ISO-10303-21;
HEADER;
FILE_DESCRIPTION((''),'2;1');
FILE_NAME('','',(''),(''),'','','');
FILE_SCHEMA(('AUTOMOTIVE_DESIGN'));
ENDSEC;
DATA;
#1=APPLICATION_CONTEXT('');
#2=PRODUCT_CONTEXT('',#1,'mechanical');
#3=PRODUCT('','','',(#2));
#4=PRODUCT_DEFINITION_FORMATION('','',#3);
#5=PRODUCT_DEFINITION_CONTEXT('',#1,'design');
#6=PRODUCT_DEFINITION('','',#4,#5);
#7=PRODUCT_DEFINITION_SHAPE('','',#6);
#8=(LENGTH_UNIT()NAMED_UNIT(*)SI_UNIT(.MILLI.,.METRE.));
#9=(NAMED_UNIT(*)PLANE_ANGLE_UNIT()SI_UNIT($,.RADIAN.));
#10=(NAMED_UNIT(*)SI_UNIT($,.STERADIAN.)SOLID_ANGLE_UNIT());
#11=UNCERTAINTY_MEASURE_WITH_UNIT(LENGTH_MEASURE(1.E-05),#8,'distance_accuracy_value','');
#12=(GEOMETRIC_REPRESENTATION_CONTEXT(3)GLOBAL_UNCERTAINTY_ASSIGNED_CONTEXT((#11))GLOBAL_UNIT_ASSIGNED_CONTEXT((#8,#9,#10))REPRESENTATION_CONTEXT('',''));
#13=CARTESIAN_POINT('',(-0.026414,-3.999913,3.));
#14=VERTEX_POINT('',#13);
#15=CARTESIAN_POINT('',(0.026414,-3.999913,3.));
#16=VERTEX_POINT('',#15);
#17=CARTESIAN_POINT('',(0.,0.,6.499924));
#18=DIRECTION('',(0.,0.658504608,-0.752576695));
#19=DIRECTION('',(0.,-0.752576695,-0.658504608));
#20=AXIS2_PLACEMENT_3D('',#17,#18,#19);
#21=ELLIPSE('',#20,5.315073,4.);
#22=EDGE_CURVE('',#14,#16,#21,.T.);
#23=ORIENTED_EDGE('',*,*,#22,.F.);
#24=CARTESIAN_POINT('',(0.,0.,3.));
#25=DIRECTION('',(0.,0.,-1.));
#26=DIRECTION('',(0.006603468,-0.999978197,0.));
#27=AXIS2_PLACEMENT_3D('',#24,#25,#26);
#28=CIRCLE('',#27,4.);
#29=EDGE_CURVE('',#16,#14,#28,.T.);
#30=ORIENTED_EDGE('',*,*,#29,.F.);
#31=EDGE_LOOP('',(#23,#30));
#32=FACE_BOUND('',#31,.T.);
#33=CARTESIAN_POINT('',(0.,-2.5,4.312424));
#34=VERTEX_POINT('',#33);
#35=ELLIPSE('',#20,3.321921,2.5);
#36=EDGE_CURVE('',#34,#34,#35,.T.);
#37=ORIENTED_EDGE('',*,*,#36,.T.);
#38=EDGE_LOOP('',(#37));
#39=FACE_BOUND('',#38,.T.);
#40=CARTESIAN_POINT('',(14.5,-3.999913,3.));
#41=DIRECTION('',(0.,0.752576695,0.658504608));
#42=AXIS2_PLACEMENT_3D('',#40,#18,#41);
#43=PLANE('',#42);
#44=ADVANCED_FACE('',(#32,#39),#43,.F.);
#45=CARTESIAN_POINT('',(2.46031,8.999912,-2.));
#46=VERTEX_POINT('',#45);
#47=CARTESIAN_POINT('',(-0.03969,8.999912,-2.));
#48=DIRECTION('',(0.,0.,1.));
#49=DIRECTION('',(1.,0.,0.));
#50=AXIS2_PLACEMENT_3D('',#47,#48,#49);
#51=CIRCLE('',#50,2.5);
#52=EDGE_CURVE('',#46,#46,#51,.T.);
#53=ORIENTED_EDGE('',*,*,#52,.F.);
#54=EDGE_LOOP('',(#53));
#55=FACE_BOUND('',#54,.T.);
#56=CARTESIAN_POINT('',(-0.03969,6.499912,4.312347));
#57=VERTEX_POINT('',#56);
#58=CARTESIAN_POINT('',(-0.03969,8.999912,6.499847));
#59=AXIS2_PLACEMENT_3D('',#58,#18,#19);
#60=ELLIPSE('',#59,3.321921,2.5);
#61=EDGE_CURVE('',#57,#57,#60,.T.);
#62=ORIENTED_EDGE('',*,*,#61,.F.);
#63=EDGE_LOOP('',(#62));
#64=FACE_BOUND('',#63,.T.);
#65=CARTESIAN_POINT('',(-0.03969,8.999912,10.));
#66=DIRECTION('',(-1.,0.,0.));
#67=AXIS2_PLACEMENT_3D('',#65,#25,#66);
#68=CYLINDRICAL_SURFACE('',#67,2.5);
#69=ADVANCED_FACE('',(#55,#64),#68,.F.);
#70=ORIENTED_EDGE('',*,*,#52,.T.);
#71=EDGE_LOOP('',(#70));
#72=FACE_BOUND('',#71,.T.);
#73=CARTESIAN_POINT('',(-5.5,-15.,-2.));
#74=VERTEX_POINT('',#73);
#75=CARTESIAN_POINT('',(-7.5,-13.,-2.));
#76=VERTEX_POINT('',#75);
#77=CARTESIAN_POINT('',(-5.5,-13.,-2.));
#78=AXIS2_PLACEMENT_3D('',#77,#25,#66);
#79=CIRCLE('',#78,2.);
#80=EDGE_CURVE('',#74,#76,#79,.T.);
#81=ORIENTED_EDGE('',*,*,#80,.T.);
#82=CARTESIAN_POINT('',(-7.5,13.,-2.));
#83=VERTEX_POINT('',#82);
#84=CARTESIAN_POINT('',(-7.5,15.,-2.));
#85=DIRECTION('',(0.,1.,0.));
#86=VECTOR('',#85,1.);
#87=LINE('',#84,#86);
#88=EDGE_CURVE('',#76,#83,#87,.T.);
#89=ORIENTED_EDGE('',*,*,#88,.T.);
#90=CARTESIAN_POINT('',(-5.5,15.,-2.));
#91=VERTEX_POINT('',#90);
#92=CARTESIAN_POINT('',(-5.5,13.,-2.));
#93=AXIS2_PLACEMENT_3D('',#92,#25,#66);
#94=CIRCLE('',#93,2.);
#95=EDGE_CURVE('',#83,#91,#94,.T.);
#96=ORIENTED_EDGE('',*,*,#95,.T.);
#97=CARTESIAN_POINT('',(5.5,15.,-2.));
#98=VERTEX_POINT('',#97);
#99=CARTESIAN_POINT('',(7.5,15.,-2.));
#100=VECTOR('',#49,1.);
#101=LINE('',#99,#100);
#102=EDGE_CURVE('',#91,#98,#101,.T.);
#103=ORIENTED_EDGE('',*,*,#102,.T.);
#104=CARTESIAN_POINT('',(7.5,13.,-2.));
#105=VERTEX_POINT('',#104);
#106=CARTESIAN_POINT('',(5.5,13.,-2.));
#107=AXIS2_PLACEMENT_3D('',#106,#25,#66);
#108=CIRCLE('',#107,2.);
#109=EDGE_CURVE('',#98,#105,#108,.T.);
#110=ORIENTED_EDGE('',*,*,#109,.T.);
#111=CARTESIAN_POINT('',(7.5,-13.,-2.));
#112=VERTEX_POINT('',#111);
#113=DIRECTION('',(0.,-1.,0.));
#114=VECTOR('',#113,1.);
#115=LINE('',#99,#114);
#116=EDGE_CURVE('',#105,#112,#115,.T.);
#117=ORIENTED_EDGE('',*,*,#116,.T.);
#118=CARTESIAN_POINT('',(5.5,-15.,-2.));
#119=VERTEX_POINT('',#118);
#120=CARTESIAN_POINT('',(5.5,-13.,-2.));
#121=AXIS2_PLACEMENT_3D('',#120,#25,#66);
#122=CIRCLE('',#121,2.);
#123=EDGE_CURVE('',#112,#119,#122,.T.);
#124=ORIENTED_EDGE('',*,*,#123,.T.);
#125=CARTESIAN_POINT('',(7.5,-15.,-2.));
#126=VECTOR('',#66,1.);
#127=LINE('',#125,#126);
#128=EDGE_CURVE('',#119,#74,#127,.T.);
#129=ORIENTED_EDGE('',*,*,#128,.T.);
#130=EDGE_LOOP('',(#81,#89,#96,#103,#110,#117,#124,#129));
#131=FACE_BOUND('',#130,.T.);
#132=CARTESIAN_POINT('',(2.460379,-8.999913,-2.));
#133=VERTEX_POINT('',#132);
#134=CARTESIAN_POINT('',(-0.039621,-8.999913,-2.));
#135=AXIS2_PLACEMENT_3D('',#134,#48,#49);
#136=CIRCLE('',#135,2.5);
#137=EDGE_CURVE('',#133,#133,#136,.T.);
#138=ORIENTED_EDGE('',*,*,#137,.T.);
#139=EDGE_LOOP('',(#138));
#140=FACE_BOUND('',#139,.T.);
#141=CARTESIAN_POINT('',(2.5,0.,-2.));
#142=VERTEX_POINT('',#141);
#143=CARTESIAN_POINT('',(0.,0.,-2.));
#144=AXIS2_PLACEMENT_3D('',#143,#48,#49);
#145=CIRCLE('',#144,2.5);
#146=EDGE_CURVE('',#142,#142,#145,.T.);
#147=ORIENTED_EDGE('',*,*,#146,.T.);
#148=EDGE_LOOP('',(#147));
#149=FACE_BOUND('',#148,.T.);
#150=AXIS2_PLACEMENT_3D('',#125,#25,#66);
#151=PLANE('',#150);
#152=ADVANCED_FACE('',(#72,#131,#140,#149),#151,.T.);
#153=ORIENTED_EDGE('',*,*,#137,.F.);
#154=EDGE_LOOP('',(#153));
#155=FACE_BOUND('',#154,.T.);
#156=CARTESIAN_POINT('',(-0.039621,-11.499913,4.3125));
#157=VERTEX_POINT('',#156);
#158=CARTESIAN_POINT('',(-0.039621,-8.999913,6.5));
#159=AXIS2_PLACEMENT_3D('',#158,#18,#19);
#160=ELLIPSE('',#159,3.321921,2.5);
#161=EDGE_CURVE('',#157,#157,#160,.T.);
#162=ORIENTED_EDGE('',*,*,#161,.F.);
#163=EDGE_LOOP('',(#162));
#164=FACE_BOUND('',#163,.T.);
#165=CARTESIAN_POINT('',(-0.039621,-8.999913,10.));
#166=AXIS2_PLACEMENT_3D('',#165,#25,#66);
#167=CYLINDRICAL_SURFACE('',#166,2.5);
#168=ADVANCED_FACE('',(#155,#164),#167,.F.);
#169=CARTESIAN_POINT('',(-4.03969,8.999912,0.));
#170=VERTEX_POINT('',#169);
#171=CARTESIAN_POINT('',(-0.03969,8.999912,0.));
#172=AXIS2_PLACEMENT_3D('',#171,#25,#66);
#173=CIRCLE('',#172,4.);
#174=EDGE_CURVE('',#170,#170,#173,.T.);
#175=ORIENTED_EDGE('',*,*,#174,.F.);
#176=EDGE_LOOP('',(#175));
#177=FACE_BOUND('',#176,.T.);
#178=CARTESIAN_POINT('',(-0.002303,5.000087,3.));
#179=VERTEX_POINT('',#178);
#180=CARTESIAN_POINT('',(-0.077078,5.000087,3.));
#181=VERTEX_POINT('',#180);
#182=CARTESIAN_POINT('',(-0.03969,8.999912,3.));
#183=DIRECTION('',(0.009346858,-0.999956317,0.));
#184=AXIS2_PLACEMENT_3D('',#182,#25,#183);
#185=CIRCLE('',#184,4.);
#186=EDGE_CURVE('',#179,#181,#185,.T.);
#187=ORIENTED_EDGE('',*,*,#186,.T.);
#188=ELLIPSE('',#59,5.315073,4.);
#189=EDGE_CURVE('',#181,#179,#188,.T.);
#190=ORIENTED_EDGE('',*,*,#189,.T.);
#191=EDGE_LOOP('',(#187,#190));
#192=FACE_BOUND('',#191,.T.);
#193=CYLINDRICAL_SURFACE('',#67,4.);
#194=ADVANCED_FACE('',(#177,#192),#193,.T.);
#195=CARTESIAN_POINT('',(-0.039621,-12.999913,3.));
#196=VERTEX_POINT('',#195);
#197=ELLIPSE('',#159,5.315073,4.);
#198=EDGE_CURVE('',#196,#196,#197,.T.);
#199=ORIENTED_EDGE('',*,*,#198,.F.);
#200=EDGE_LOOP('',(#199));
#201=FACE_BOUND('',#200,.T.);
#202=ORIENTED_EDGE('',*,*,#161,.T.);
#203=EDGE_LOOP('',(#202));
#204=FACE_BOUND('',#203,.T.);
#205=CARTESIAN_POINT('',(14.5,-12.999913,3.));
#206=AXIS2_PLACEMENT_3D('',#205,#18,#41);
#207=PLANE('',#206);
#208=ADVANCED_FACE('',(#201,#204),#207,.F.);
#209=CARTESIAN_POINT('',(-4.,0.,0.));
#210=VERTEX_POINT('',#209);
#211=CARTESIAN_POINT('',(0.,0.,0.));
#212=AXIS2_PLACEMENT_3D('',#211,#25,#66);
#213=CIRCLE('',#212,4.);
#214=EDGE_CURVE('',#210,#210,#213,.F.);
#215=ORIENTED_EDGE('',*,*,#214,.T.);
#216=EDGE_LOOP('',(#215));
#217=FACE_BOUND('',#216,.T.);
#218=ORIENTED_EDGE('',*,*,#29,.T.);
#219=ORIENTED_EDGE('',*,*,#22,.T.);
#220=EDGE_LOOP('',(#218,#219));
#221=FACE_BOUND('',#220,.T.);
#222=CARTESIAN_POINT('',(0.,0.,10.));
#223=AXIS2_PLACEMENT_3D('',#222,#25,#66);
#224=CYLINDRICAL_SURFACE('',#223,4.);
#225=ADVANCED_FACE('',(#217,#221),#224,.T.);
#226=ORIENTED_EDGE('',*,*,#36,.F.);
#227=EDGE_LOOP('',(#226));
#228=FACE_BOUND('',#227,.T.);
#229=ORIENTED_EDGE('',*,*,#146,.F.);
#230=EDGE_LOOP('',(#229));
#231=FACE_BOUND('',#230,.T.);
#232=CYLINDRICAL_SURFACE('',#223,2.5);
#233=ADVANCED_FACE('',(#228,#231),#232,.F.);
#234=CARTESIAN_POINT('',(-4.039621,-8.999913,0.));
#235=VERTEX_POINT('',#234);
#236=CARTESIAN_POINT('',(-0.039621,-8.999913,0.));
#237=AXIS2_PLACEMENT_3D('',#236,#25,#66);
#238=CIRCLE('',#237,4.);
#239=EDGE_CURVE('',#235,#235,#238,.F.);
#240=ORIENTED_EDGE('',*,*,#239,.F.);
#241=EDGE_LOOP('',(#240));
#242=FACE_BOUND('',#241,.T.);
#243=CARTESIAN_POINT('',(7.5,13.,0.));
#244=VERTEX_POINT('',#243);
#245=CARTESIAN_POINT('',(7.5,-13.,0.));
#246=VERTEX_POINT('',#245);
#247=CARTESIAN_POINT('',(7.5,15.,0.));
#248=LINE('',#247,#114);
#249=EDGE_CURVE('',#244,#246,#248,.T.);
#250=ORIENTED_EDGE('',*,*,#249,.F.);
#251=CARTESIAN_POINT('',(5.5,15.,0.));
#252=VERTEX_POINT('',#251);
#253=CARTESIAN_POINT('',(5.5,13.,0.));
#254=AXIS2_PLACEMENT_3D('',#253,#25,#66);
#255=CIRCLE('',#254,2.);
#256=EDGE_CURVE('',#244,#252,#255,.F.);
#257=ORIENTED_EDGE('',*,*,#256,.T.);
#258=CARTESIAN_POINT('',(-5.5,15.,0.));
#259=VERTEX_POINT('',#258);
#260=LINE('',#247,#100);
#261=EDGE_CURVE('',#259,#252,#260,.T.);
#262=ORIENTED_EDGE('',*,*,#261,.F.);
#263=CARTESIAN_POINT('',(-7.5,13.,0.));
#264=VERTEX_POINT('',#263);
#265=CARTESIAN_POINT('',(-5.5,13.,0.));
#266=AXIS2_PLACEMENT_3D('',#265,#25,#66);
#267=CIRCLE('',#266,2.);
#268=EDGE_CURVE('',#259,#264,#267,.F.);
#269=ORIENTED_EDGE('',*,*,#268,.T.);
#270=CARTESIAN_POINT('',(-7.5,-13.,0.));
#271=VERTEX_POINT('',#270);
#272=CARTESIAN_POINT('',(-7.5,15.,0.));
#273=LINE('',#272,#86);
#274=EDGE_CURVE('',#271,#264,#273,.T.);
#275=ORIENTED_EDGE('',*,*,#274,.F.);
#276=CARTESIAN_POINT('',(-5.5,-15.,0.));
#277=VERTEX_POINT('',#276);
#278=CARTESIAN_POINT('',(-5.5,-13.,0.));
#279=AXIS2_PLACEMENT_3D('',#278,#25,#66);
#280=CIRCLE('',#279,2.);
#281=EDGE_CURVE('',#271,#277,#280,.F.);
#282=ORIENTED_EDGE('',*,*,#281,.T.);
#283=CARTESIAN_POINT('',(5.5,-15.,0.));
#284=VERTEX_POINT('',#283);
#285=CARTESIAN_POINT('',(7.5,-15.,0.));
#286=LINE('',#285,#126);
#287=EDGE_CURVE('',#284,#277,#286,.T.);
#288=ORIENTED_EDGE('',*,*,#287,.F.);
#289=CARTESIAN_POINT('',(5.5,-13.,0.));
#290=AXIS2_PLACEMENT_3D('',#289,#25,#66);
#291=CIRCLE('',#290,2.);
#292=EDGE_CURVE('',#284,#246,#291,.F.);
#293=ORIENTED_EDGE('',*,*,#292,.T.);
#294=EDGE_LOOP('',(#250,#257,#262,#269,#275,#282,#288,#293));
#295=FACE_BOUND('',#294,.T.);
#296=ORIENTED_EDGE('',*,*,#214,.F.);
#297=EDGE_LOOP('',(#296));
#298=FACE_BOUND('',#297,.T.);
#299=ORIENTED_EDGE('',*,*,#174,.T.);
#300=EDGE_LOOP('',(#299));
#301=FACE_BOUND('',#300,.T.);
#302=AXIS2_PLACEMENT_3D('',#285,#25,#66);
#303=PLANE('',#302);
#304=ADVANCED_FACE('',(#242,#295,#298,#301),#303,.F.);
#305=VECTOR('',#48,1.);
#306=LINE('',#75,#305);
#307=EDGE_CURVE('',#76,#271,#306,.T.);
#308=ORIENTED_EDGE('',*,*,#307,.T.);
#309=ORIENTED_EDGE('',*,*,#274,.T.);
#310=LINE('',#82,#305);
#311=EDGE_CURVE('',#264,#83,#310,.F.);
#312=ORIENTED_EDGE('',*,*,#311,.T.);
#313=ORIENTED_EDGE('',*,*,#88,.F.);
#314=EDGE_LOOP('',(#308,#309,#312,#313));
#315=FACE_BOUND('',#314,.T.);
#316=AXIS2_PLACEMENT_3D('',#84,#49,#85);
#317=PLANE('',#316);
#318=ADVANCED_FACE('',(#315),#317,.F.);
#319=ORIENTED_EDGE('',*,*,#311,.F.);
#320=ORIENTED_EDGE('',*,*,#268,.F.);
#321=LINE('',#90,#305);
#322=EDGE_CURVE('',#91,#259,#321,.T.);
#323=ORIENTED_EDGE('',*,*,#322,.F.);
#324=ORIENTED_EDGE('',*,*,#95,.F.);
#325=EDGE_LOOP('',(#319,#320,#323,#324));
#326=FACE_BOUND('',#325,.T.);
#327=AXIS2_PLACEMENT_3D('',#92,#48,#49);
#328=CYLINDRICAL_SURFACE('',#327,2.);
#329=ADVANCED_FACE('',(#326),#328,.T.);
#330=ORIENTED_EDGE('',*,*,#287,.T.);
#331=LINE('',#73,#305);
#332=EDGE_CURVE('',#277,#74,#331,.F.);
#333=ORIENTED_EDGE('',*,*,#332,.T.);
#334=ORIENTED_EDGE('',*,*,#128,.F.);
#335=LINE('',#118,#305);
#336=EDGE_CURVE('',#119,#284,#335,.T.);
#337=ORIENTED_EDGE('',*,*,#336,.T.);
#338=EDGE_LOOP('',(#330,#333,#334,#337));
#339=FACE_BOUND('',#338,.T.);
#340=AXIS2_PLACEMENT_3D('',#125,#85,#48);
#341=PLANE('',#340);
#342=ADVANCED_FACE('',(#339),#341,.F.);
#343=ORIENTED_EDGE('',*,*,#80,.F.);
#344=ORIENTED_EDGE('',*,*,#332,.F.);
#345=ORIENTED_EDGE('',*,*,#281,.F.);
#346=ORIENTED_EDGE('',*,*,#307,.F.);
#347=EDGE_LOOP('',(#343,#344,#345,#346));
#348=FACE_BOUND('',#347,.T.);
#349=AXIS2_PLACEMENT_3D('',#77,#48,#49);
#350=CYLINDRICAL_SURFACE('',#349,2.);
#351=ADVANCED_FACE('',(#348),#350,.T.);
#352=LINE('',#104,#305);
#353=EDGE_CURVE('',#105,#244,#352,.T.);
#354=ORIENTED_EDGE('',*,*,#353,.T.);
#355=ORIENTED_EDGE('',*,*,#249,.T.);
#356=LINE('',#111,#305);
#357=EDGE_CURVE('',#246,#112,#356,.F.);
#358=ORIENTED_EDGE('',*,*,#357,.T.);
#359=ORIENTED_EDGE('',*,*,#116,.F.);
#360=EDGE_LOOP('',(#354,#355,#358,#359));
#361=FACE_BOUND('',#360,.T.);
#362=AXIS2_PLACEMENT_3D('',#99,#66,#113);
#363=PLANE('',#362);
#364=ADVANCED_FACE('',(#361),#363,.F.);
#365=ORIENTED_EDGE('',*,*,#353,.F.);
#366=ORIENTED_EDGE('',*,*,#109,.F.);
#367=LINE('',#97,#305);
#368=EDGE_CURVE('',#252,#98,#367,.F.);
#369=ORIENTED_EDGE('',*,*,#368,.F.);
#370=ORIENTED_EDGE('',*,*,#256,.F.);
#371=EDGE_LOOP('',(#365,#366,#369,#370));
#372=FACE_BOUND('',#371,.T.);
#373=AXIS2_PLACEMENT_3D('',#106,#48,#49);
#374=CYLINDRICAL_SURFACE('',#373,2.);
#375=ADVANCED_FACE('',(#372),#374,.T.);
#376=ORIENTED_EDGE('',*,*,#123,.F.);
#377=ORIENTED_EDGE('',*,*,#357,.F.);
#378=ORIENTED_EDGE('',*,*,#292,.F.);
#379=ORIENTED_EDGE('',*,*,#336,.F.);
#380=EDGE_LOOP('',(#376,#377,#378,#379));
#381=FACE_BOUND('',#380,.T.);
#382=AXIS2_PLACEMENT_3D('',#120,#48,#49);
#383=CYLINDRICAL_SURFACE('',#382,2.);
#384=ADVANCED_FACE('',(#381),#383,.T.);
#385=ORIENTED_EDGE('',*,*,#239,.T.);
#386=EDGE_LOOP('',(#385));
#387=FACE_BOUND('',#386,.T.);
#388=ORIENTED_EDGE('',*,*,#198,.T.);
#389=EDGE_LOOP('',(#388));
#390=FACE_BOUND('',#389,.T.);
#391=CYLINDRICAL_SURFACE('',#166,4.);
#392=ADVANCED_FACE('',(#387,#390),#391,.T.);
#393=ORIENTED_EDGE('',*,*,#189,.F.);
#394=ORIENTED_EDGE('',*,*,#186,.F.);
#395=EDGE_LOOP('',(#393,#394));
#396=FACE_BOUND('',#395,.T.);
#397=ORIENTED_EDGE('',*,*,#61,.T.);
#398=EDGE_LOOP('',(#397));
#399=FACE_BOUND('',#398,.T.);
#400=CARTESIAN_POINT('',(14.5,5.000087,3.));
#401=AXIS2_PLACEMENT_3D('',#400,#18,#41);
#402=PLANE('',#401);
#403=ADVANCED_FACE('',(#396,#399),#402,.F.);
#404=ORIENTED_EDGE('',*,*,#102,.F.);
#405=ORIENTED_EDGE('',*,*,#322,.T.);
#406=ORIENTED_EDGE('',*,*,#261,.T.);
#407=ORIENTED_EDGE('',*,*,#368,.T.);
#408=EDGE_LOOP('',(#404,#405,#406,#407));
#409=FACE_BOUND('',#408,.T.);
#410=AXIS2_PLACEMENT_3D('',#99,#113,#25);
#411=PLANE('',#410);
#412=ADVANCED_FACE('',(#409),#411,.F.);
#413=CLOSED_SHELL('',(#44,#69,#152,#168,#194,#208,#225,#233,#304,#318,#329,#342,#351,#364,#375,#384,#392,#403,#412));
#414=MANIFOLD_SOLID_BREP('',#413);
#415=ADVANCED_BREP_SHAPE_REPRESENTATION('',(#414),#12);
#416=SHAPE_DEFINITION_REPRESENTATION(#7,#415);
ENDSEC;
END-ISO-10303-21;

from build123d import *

# Parameters (mm, degrees)
SKETCH1_R             = 4
SKETCH1_R_2           = 2.5
BOSS_EXTRUDE1_DEPTH   = 10
BOSS_EXTRUDE1_2_DEPTH = 10
BOSS_EXTRUDE1_3_DEPTH = 10
SKETCH2_W             = 15
SKETCH2_H             = 30
BOSS_EXTRUDE2_DEPTH   = 2
CUT_EXTRUDE1_START    = -2
SKETCH3_R             = 2.5
CUT_EXTRUDE1_DEPTH    = 2
CUT_EXTRUDE3_DEPTH    = 22
FILLET2_R             = 2


with BuildPart() as part:
    # Sketch1 → Boss-Extrude1 (new body)
    with BuildSketch(Plane.XY):
        with Locations((-0.039690435, 8.999912481)):
            Circle(SKETCH1_R)
        with Locations((-0.039690435, 8.999912481)):
            Circle(SKETCH1_R_2, mode=Mode.SUBTRACT)
    extrude(amount=BOSS_EXTRUDE1_DEPTH)



with BuildPart() as body_2:
    # Sketch1 → Boss-Extrude1 2 (new body)
    with BuildSketch(Plane.XY):
        Circle(SKETCH1_R)
        Circle(SKETCH1_R_2, mode=Mode.SUBTRACT)
    extrude(amount=BOSS_EXTRUDE1_2_DEPTH)


with BuildPart() as body_3:
    # Sketch1 → Boss-Extrude1 3 (new body)
    with BuildSketch(Plane.XY):
        with Locations((-0.039620931, -8.999912787)):
            Circle(SKETCH1_R)
        with Locations((-0.039620931, -8.999912787)):
            Circle(SKETCH1_R_2, mode=Mode.SUBTRACT)
    extrude(amount=BOSS_EXTRUDE1_3_DEPTH)


with BuildPart() as part_1:
    add(part.part)

    add(body_2.part)  # Boss-Extrude2 merges body 2

    add(body_3.part)  # Boss-Extrude2 merges body 3
    # Sketch2 → Boss-Extrude2 (add)
    with BuildSketch(Plane(origin=(0, 0, 0), x_dir=(-1, 0, 0), z_dir=(0, 0, -1))):
        Rectangle(SKETCH2_W, SKETCH2_H)
    extrude(amount=BOSS_EXTRUDE2_DEPTH)

    # Sketch3 → Cut-Extrude1 (cut)
    with BuildSketch(Plane.XY.offset(CUT_EXTRUDE1_START)):
        with Locations((-0.039690435, 8.999912481)):
            Circle(SKETCH3_R)
        Circle(SKETCH3_R)
        with Locations((-0.039620931, -8.999912787)):
            Circle(SKETCH3_R)
    extrude(amount=CUT_EXTRUDE1_DEPTH, mode=Mode.SUBTRACT)

    # Sketch4 → Cut-Extrude3 (cut)
    with BuildSketch(Plane.ZY.offset(7.5)):
        Polygon((10, 4.000087213), (10, -3.999912787), (10, -4.510778231), (3, -4.510778231), (3, -3.999912787), align=None)
        Polygon((10, 13.000087213), (10, 5.000087213), (10, 4.572676738), (3, 4.572676738), (3, 5.000087213), align=None)
        Polygon((10, -4.999912787), (10, -12.999912787), (10, -13.831411627), (3, -13.831411627), (3, -12.999912787), align=None)
    extrude(amount=-CUT_EXTRUDE3_DEPTH, mode=Mode.SUBTRACT)

    # Fillet2
    fillet2_edges = [part_1.edges().sort_by_distance(p)[0] for p in [
        (7.5, -15, -1),
        (-7.5, -15, -1),
        (-7.5, 15, -1),
        (7.5, 15, -1),
    ]]
    fillet(fillet2_edges, radius=FILLET2_R)


solid = part_1.part
